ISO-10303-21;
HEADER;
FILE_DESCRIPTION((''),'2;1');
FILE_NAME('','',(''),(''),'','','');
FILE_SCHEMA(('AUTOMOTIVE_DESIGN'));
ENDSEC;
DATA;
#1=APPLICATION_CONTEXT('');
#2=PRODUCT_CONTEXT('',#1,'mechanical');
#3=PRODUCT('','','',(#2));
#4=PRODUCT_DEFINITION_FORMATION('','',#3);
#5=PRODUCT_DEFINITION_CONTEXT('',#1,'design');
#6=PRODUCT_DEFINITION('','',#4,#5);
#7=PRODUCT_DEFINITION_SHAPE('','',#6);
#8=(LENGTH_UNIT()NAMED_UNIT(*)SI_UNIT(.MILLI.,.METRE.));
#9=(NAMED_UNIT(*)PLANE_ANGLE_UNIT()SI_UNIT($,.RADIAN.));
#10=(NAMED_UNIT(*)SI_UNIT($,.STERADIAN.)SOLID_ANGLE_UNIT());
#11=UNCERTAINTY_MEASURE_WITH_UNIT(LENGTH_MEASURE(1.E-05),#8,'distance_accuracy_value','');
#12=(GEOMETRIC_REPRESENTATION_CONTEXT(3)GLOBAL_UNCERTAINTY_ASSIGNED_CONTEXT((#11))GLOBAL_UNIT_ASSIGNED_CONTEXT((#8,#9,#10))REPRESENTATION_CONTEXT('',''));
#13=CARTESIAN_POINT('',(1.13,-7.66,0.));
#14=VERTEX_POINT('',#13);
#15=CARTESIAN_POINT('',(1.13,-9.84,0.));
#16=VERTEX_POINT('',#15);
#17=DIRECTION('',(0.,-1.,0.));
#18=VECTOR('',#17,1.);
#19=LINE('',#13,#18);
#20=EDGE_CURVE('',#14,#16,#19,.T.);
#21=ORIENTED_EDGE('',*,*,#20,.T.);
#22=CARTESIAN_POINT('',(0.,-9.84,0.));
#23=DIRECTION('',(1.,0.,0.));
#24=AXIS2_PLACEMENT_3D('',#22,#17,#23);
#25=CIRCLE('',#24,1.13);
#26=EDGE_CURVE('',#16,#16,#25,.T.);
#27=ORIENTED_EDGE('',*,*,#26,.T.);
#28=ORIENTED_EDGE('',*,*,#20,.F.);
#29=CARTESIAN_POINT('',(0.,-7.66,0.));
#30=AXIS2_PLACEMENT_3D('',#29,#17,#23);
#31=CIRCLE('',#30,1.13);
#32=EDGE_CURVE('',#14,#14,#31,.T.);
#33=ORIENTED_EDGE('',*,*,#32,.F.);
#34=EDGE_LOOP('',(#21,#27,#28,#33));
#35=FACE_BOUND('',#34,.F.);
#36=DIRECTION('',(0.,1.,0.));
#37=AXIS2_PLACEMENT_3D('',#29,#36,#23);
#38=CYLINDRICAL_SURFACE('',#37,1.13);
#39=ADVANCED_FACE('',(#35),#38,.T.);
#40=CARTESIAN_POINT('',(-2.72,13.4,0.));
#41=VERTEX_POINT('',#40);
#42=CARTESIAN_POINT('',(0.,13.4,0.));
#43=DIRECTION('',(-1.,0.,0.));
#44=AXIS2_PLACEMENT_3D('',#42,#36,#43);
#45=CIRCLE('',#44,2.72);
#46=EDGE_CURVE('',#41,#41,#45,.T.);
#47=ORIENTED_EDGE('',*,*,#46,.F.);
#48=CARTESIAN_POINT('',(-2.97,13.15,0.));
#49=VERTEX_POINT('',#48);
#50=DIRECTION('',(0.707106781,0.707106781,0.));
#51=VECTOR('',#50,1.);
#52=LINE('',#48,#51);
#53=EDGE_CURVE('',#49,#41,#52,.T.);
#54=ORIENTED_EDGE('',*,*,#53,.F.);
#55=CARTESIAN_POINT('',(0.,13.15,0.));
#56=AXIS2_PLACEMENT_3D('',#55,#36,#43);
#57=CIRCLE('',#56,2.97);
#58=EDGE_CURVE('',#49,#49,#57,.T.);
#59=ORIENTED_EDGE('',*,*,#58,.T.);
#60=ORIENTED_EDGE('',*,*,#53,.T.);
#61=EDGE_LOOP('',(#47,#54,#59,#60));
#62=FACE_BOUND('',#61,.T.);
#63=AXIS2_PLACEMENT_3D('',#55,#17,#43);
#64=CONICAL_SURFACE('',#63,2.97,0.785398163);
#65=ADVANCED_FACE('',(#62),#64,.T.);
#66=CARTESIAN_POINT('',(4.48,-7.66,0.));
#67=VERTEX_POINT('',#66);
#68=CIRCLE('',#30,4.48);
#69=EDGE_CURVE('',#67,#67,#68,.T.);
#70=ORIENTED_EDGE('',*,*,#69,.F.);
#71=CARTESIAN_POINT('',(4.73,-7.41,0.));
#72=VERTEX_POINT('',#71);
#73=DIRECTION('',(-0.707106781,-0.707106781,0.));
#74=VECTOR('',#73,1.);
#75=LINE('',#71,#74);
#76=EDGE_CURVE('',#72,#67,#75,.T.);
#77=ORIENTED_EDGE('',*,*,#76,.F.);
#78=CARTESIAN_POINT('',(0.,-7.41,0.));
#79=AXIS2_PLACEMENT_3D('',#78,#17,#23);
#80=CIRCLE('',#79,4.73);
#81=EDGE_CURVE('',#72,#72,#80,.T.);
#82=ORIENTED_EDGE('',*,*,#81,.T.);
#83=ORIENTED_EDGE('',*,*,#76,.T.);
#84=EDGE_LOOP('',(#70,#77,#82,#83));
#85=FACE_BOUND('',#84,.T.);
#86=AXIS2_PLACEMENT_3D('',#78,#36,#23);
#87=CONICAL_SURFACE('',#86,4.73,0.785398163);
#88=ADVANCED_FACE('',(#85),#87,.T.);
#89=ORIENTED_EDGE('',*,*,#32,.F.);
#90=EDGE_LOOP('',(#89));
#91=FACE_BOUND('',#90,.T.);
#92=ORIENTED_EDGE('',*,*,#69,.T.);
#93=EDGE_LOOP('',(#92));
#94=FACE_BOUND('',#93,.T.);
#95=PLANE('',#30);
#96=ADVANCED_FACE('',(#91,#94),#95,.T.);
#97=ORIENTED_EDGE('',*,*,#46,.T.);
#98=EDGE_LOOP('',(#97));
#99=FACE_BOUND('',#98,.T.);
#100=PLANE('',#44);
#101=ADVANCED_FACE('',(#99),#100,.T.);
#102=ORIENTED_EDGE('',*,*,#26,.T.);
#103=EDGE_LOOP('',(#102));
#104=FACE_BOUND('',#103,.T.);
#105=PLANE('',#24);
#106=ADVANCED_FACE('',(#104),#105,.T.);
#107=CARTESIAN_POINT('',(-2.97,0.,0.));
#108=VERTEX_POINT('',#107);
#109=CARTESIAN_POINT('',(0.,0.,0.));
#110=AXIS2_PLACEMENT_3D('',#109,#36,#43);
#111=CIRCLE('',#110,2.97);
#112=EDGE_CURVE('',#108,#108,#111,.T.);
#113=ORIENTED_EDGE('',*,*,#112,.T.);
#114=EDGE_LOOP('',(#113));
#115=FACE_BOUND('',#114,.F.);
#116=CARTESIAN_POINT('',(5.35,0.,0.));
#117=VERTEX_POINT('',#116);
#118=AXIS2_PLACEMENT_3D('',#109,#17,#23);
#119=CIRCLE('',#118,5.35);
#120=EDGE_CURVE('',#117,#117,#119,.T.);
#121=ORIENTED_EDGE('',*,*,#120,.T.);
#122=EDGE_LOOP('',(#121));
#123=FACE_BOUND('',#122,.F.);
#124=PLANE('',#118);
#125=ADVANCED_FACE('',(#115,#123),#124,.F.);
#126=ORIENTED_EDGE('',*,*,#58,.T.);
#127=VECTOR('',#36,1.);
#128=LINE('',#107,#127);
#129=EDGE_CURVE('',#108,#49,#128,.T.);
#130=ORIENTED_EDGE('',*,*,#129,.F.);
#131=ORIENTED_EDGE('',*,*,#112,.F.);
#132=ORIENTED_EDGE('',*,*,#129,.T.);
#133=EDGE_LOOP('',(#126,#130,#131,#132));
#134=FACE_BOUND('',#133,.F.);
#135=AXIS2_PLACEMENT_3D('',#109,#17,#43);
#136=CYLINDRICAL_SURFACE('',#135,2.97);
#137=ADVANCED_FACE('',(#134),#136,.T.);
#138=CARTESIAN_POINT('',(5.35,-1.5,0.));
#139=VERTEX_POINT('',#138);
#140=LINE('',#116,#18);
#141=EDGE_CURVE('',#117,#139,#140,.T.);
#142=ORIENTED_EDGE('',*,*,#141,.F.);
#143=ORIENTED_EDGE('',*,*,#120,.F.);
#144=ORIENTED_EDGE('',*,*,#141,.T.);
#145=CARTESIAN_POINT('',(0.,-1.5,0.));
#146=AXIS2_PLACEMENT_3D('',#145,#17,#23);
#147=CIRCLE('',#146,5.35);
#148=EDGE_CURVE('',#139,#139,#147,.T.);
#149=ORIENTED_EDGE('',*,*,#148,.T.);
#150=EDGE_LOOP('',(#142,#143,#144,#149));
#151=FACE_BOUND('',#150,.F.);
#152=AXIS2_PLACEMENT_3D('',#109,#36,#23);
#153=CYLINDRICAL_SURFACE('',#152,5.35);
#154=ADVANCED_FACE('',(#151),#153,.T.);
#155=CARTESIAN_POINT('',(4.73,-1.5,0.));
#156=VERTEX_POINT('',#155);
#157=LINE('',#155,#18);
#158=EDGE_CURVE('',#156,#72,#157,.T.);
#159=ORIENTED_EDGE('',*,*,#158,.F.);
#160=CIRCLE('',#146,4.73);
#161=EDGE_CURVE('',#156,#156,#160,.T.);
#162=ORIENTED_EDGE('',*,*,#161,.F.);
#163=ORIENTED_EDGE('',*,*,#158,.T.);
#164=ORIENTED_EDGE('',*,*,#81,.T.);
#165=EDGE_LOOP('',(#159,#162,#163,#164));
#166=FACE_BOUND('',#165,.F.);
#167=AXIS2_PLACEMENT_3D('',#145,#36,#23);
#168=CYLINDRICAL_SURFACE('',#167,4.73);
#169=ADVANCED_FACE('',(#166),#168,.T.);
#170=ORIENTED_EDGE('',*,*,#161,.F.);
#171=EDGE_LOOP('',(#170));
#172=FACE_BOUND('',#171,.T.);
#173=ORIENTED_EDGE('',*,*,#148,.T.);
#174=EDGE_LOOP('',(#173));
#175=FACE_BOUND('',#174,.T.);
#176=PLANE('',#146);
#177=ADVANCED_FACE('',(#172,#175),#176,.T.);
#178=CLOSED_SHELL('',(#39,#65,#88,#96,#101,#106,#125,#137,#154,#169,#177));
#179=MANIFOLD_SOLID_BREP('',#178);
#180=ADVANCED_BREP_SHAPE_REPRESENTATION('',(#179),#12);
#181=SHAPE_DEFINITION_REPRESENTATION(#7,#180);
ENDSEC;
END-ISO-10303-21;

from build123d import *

# Parameters (mm, degrees)
F0_R     = 5.35
F1_DEPTH = 1.5
F2_R     = 4.73
F3_DEPTH = 6.16
F4_R     = 1.13
F5_DEPTH = 2.18
F6_R     = 2.97
F7_DEPTH = 13.4
F8_SIZE  = 0.25


with BuildPart() as f1:
    # F0 (on Front) → F1 (new body)
    with BuildSketch(Plane.XZ):
        Circle(F0_R)
    extrude(amount=F1_DEPTH)

    # F2 (on face) → F3 (join)
    with BuildSketch(Plane.XZ.offset(1.5)):
        Circle(F2_R)
    extrude(amount=F3_DEPTH)

    # F4 (on face) → F5 (join)
    with BuildSketch(Plane.XZ.offset(7.66)):
        Circle(F4_R)
    extrude(amount=F5_DEPTH)

    # F6 (on face) → F7 (join)
    with BuildSketch(Plane(origin=(0, 0, 0), x_dir=(-1, 0, 0), z_dir=(0, 1, 0))):
        Circle(F6_R)
    extrude(amount=F7_DEPTH)

    # F8
    f8_edges = [f1.edges().sort_by_distance(p)[0] for p in [
        (-4.73, -7.66, 0),
        (2.97, 13.4, 0),
    ]]
    chamfer(f8_edges, length=F8_SIZE)


solid = f1.part
